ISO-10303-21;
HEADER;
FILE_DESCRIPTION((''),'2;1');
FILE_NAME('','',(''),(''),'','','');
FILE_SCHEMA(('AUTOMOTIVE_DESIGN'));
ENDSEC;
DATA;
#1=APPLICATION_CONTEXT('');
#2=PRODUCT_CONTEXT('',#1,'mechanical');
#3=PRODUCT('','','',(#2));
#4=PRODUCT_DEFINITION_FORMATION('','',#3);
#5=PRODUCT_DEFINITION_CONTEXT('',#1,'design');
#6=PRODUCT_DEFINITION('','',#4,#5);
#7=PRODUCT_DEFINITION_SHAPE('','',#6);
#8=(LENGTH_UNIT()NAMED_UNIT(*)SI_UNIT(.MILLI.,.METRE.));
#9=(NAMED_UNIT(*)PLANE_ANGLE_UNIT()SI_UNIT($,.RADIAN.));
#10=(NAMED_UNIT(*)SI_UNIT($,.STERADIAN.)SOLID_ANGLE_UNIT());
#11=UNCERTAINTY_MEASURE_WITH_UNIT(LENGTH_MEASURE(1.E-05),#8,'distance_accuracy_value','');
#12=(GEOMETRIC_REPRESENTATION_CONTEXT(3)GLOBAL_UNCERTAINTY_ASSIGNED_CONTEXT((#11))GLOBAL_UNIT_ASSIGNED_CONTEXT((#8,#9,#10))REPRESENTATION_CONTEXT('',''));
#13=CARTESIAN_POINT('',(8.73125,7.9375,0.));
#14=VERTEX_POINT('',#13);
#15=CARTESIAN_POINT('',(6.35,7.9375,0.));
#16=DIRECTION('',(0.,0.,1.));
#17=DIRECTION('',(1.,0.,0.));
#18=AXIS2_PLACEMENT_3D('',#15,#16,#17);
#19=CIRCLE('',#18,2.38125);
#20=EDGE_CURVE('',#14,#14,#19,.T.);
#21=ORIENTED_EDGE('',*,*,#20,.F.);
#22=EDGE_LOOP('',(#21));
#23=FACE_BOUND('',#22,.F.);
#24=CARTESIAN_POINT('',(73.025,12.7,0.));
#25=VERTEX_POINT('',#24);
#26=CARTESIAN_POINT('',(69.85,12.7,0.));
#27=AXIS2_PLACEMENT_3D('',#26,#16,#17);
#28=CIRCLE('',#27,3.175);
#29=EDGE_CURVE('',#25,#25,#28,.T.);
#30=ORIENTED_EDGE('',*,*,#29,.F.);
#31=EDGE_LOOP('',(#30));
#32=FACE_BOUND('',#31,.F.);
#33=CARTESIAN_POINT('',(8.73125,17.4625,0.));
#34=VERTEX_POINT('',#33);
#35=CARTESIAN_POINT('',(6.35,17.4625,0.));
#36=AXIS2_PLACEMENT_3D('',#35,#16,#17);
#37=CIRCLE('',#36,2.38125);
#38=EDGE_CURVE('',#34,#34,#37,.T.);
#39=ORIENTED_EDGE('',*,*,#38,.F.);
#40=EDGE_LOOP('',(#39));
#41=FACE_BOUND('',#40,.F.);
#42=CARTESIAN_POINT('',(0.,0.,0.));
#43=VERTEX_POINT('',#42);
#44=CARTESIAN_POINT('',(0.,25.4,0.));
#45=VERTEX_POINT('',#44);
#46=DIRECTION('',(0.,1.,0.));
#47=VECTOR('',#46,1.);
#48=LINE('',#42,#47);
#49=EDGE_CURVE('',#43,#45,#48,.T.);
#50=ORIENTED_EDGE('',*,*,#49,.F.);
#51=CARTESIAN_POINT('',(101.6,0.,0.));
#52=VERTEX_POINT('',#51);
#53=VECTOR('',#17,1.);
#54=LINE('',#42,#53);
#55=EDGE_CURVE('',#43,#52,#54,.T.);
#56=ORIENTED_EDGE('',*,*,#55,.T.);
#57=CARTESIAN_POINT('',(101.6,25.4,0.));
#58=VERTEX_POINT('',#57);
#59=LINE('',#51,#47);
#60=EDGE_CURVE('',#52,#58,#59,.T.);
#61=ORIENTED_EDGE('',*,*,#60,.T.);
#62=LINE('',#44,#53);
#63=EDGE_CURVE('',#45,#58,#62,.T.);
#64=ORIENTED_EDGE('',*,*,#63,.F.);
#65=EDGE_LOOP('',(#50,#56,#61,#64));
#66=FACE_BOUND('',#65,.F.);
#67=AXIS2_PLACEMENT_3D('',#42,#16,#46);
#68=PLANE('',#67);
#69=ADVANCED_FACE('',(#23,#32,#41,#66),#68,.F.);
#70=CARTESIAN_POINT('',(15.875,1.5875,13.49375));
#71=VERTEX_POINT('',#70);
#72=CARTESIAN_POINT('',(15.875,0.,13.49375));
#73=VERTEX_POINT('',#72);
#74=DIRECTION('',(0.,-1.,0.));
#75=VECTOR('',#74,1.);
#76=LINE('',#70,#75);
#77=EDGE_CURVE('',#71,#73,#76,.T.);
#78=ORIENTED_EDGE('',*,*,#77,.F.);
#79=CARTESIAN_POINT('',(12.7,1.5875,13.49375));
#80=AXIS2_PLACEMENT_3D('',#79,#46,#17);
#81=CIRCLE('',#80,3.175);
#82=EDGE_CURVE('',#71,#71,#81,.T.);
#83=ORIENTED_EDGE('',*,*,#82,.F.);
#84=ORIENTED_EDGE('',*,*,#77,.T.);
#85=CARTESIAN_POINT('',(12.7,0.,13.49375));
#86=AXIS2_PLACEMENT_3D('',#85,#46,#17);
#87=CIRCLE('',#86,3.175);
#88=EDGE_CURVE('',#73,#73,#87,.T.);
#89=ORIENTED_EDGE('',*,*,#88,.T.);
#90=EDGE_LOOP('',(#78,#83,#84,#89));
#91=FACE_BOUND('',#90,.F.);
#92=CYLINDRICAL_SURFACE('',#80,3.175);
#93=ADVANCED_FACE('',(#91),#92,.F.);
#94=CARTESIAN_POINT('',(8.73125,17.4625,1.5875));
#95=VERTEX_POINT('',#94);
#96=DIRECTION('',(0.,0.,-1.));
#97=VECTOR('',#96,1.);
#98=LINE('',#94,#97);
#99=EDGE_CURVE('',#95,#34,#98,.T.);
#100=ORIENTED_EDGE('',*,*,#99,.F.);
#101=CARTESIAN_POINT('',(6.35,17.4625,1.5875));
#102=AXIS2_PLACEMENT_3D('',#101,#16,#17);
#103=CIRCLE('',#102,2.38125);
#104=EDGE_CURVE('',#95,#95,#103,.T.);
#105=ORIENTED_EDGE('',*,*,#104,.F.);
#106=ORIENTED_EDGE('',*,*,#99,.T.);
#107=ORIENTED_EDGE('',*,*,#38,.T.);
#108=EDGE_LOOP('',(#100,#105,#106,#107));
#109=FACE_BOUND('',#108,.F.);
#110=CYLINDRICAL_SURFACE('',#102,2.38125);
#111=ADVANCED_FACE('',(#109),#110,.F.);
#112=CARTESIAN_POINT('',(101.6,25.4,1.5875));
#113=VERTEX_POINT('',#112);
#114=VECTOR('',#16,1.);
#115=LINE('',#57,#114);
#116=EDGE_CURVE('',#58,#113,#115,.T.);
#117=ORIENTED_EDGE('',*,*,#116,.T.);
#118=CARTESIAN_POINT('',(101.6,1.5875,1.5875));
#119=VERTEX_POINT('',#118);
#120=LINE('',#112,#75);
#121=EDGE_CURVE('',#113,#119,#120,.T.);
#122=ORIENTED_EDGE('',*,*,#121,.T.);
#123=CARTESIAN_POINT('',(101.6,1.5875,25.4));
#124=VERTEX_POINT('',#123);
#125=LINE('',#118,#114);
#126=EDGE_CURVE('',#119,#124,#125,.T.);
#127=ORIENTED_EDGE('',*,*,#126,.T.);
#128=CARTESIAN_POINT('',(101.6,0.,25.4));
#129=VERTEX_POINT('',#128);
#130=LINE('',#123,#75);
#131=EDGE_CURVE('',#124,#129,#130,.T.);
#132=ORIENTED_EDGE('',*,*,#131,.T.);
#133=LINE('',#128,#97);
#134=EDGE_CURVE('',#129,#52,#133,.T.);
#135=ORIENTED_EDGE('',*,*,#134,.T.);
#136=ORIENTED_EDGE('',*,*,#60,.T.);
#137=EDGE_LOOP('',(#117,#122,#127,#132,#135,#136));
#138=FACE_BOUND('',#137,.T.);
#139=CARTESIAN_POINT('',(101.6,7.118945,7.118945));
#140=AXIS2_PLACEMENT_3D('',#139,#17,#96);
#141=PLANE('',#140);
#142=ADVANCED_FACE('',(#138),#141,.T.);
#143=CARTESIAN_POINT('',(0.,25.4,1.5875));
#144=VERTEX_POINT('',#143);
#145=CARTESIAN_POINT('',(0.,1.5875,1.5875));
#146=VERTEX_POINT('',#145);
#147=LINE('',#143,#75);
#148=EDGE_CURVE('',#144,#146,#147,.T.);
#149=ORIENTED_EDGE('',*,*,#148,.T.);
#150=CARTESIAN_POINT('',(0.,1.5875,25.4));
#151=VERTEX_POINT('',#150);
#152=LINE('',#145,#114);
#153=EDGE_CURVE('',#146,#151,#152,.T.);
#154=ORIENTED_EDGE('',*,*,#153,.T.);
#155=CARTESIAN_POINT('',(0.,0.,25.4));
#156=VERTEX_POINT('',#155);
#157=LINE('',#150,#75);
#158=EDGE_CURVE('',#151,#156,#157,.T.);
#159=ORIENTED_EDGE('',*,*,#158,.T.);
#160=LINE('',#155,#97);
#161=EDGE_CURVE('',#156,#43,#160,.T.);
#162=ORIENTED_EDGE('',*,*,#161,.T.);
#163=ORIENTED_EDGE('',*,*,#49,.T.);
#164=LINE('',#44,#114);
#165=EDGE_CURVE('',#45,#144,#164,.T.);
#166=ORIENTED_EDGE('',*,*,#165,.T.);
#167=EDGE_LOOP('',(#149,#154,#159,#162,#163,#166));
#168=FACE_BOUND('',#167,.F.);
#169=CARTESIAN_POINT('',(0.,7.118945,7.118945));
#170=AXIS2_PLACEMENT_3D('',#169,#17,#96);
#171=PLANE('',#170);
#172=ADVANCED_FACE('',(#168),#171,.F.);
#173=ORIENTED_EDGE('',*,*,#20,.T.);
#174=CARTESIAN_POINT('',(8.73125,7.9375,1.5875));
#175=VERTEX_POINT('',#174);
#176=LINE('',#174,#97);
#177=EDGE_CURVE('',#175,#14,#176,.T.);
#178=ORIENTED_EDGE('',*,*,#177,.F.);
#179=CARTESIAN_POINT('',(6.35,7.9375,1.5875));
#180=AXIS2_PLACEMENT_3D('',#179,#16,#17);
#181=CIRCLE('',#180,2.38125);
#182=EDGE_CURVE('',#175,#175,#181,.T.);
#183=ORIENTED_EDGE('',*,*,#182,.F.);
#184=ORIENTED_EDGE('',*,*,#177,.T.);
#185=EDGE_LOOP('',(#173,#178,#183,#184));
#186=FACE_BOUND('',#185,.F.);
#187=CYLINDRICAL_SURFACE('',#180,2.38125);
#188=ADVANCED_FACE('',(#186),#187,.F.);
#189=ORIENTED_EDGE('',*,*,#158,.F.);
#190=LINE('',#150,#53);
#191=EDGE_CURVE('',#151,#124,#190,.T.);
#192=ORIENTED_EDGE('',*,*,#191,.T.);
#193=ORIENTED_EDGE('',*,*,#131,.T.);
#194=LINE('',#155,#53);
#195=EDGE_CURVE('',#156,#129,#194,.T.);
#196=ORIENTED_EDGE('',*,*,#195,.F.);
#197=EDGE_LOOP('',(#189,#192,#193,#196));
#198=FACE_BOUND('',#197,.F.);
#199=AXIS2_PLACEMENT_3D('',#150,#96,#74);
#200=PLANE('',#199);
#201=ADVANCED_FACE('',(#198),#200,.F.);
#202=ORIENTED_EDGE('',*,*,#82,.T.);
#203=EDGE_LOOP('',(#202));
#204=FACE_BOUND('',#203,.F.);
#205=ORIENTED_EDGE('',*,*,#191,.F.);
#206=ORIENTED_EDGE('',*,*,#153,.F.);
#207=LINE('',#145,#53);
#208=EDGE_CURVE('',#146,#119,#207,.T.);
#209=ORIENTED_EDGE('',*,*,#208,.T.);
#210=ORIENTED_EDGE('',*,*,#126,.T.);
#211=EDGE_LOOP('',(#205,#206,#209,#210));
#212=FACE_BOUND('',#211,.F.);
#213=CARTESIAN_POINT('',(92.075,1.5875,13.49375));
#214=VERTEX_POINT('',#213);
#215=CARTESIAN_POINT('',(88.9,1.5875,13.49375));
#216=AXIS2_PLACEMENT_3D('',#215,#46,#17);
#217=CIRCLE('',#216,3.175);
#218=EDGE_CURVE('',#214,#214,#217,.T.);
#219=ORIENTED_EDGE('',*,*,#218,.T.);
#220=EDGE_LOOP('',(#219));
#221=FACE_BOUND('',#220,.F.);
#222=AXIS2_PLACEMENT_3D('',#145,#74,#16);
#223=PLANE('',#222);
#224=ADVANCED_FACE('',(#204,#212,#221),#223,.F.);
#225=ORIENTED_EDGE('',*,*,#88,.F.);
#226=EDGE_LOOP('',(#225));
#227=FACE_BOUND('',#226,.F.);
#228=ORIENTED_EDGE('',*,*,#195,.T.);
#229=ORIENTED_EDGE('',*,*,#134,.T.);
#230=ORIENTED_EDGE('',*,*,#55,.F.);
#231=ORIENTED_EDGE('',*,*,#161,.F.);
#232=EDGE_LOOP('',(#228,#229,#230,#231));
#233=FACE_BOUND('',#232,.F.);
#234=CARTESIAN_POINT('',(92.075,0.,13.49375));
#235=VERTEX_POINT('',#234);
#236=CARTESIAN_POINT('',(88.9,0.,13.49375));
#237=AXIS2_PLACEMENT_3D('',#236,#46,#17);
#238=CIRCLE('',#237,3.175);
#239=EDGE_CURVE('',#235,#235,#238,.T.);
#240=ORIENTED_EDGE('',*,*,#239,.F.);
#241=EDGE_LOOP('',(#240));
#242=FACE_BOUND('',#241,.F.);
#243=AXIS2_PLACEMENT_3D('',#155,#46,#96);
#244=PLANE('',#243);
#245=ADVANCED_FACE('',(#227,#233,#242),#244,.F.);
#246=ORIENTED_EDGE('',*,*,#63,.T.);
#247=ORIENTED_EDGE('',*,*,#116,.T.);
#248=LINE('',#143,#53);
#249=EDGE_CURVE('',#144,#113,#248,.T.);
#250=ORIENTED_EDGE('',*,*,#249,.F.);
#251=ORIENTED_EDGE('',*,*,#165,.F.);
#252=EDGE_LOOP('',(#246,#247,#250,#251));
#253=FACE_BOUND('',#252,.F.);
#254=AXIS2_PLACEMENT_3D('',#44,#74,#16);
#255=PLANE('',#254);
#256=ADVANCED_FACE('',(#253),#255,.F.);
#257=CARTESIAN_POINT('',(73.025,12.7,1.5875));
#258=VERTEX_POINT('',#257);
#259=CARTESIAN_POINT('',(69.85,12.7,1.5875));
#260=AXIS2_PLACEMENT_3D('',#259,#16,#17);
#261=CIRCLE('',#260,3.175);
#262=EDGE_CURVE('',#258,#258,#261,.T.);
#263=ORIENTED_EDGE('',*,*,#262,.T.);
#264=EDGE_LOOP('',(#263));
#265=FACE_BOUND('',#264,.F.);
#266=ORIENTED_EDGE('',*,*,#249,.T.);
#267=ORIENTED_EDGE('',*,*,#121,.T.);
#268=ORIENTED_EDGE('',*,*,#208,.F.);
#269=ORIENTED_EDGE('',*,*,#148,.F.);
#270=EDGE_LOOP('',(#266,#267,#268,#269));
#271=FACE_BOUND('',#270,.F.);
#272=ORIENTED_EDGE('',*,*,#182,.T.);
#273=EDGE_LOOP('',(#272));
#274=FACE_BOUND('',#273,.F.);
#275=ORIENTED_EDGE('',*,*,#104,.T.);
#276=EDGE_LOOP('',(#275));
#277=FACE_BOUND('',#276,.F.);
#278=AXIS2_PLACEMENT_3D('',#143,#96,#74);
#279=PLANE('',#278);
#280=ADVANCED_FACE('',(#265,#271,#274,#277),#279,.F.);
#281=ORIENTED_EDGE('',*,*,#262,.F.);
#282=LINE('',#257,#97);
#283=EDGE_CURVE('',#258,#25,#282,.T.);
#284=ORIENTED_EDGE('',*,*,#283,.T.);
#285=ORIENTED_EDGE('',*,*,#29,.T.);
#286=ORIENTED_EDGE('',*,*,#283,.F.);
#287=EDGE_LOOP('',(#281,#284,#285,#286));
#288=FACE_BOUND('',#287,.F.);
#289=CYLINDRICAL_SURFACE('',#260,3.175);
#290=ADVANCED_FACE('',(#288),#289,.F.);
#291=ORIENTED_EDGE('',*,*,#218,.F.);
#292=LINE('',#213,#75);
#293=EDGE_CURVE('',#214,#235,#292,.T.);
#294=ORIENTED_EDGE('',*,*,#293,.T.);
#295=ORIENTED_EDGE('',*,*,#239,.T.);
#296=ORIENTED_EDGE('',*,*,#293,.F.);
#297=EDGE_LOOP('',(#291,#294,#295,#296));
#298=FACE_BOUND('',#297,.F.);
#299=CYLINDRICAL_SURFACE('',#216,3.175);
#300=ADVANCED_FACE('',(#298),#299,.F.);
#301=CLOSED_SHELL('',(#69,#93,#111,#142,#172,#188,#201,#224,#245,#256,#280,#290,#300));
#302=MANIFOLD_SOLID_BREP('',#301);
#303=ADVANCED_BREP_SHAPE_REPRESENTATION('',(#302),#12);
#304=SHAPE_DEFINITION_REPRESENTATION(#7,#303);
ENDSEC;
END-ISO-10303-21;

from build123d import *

# Parameters (mm, degrees)
BOSS_EXTRUDE1_DEPTH = 101.6
SKETCH2_R           = 3.175
CUT_EXTRUDE1_DEPTH  = 101.6
SKETCH3_R           = 3.175
SKETCH3_R_2         = 2.38125
CUT_EXTRUDE2_DEPTH  = 101.6


with BuildPart() as part:
    # Sketch1 → Boss-Extrude1 (new body)
    with BuildSketch(Plane(origin=(0, 0, 0), x_dir=(0, 0, -1), z_dir=(1, 0, 0))):
        Polygon((0, 0), (0, 25.4), (-1.5875, 25.4), (-1.5875, 1.5875), (-25.4, 1.5875), (-25.4, 0), align=None)
    extrude(amount=BOSS_EXTRUDE1_DEPTH)

    # Sketch2 → Cut-Extrude1 (cut)
    with BuildSketch(Plane(origin=(0, 1.5875, 0), x_dir=(1, 0, 0), z_dir=(0, 1, 0))):
        with Locations((12.7, -13.49375)):
            Circle(SKETCH2_R)
        with Locations((88.9, -13.49375)):
            Circle(SKETCH2_R)
    extrude(amount=-CUT_EXTRUDE1_DEPTH, mode=Mode.SUBTRACT)

    # Sketch3 → Cut-Extrude2 (cut)
    with BuildSketch(Plane.XY.offset(1.5875)):
        with Locations((69.85, 12.7)):
            Circle(SKETCH3_R)
        with Locations((6.35, 17.4625)):
            Circle(SKETCH3_R_2)
        with Locations((6.35, 7.9375)):
            Circle(SKETCH3_R_2)
    extrude(amount=-CUT_EXTRUDE2_DEPTH, mode=Mode.SUBTRACT)


solid = part.part
